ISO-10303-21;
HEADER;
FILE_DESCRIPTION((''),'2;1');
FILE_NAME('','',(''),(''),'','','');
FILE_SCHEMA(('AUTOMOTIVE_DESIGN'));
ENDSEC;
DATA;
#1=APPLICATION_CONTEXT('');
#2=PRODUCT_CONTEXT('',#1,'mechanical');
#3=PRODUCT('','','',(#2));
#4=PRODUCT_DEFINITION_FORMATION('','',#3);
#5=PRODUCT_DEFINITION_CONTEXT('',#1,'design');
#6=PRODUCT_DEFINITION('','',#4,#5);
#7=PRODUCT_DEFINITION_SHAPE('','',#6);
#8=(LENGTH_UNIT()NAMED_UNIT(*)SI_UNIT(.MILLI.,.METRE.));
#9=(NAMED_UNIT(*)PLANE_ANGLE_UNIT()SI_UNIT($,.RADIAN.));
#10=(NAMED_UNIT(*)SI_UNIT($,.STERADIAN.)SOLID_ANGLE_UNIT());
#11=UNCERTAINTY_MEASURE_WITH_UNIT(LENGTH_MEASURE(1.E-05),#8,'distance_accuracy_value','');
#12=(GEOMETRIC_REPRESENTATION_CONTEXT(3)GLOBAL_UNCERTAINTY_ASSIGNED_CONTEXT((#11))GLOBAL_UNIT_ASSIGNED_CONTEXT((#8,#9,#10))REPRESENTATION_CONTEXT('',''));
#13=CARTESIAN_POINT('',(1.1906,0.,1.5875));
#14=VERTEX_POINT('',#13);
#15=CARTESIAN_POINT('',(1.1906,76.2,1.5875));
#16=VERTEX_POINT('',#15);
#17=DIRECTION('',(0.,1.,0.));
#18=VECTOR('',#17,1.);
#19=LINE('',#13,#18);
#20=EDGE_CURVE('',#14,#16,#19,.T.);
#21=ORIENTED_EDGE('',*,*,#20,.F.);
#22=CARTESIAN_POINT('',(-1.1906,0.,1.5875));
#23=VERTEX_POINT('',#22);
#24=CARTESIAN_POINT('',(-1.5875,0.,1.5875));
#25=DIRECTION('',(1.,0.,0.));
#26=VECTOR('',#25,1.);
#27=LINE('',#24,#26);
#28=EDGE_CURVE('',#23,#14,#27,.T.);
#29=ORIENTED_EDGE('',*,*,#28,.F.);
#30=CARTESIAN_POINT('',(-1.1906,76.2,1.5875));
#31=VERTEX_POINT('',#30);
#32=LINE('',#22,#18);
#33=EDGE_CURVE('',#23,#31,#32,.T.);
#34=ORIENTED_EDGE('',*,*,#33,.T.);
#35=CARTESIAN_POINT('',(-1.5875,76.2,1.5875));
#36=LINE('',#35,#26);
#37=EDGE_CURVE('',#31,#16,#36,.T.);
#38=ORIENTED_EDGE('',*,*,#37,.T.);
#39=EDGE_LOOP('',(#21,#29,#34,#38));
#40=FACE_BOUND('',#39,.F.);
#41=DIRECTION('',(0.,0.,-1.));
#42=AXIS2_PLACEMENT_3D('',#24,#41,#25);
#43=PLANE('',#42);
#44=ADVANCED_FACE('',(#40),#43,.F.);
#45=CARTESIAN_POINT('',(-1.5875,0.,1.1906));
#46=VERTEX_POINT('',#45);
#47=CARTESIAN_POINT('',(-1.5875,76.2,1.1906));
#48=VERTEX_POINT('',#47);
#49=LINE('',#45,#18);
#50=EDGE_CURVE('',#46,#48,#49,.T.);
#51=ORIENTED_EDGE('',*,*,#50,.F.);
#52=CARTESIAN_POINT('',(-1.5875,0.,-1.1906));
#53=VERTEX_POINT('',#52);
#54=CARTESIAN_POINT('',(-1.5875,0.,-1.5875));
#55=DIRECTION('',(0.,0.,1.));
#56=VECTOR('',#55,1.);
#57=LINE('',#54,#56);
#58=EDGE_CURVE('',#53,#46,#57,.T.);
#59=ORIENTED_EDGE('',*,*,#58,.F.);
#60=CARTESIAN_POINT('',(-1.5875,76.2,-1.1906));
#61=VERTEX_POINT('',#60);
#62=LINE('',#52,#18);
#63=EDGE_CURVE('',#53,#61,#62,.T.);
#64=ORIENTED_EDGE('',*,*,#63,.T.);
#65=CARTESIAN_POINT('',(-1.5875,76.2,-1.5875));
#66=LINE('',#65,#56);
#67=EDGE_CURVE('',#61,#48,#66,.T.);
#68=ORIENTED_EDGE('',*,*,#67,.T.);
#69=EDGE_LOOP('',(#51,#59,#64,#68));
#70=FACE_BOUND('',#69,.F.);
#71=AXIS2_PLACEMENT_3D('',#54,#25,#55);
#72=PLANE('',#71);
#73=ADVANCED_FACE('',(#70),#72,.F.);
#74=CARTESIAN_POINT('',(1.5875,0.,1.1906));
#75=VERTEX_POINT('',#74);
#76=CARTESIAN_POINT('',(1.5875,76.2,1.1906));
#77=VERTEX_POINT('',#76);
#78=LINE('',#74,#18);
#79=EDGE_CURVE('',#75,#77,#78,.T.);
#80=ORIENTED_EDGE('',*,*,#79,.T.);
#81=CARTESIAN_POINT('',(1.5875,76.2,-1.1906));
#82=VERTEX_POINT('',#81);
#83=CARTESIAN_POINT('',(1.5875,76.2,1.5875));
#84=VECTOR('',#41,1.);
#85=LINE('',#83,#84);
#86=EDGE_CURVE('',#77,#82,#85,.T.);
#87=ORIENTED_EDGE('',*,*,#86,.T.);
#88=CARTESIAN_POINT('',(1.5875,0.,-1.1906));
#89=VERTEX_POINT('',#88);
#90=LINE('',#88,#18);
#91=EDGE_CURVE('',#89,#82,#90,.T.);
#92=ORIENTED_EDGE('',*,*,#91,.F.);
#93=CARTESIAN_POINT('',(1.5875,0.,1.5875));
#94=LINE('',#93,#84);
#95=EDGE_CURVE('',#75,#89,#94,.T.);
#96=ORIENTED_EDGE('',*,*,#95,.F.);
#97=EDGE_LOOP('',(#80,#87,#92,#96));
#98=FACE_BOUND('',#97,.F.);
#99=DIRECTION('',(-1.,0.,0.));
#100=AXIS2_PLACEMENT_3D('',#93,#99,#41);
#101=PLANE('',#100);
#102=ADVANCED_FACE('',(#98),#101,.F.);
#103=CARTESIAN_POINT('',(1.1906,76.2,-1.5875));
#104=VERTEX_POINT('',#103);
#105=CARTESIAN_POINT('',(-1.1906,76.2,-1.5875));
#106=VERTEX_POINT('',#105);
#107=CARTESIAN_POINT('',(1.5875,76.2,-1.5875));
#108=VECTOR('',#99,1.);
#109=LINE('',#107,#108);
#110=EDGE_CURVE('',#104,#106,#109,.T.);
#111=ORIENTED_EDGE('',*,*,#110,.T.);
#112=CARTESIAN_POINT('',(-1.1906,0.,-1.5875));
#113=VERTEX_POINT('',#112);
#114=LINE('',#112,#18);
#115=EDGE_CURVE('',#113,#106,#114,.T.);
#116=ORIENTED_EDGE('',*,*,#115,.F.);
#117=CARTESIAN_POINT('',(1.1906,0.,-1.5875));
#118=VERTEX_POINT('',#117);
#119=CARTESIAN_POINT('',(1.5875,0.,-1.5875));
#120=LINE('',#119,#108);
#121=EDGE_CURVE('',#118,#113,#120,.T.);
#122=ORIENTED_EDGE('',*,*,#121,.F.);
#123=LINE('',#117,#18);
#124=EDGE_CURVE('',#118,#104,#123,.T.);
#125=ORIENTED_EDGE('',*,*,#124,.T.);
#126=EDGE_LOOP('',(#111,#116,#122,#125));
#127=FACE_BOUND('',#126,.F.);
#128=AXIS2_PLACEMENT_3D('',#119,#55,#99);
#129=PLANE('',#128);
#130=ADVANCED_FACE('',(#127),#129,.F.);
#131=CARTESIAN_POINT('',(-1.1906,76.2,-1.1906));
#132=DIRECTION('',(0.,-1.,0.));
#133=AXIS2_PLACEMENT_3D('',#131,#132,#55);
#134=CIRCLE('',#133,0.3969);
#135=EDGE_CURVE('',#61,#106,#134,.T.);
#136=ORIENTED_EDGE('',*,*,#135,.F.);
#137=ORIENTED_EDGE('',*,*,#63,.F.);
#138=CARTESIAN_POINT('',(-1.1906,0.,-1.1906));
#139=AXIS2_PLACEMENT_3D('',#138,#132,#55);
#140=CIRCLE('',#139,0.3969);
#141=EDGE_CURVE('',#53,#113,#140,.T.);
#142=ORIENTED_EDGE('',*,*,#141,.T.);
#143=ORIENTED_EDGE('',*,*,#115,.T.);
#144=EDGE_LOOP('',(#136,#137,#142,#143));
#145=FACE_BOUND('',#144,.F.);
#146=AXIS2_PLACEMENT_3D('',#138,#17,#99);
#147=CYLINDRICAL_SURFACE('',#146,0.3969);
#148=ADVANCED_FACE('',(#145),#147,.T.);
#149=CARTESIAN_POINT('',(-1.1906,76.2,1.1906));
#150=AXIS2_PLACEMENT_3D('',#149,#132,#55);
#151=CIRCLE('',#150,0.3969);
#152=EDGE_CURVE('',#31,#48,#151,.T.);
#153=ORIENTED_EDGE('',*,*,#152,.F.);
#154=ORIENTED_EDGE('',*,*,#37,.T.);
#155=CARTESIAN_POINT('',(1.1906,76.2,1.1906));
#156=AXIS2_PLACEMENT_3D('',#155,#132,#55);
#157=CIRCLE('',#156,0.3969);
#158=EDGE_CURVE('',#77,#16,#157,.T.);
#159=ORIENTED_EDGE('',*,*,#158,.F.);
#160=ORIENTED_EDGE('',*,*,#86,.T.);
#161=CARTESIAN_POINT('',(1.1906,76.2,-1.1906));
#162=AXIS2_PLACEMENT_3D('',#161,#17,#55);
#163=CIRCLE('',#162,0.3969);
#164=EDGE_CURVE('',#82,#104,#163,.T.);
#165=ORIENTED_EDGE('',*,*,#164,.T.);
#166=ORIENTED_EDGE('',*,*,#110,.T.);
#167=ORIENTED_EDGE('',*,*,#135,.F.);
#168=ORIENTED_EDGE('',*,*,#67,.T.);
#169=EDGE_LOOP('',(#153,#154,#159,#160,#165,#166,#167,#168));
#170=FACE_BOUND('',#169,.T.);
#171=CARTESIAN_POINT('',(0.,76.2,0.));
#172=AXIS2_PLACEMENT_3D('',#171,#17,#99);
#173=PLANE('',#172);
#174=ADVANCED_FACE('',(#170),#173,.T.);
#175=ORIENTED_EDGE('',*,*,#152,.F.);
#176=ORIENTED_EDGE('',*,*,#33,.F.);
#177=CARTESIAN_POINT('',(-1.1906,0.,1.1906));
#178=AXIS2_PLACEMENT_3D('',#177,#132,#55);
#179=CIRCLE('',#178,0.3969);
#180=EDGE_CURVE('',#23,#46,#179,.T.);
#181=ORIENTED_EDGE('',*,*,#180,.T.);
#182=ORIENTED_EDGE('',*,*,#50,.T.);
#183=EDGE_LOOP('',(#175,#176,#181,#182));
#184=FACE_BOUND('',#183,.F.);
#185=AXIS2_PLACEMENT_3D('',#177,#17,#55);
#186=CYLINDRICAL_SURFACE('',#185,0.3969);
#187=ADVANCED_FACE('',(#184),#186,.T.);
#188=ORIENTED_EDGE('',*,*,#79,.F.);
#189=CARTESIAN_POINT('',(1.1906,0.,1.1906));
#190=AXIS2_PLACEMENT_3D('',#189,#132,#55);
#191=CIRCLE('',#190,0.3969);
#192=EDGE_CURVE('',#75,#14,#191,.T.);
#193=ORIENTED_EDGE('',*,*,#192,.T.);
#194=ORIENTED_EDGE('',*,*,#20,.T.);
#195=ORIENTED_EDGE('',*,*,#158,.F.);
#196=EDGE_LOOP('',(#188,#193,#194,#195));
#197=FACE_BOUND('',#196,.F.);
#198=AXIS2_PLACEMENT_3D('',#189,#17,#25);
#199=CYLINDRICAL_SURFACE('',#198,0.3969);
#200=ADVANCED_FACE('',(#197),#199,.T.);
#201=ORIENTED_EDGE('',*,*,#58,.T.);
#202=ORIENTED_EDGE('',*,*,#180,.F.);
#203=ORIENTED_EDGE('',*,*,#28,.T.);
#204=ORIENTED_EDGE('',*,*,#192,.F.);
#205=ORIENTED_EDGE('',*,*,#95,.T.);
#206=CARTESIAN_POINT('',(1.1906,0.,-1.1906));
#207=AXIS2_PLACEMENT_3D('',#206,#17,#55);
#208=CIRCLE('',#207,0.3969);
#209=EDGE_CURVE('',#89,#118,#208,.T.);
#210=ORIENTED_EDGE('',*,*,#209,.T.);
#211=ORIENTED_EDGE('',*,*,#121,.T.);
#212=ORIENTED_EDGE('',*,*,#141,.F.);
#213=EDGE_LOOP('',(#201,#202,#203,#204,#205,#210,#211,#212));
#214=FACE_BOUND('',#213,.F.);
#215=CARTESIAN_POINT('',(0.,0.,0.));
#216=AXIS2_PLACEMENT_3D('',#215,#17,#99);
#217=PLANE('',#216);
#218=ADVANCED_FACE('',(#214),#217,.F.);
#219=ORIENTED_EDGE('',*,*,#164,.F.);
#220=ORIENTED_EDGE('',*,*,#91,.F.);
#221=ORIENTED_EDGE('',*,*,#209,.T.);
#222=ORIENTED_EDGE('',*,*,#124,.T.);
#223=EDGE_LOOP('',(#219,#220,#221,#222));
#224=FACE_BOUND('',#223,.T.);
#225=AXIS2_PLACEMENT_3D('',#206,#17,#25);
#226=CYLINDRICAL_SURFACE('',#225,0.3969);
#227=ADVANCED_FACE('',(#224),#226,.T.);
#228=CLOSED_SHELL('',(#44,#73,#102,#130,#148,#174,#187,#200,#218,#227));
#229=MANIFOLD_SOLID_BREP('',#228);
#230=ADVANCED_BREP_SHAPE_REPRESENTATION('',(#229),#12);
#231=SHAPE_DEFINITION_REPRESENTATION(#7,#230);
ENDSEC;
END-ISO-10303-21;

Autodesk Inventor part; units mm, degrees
ref_plane "YZ Plane" through (0, 0, 0) normal (1, 0, 0) x (0, 1, 0)
ref_plane "XZ Plane" through (0, 0, 0) normal (0, 1, 0) x (-1, 0, 0)
ref_plane "XY Plane" through (0, 0, 0) normal (0, 0, 1) x (1, 0, 0)
sketch "Sketch1" plane through (0, 0, 0) normal (0, 1, 0) x (-1, 0, 0)
  line L0 (-1.5875, -1.5875) -> (1.5875, -1.5875)
  line L1 (1.5875, -1.5875) -> (1.5875, 1.5875)
  line L2 (1.5875, 1.5875) -> (-1.5875, 1.5875)
  line L3 (-1.5875, 1.5875) -> (-1.5875, -1.5875)
  line L4 (-1.5875, -1.5875) -> (1.5875, 1.5875) construction
  line L5 (1.5875, -1.5875) -> (-1.5875, 1.5875) construction
  point P0 (0, 0)
  dimension "d0" = 3.175
  dimension "d1" = 3.175
extrude "Extrusion1" add sketch "Sketch1" along normal blind 76.2
fillet "Fillet1" radius 0.3969 4 edges at (1.5875, 38.1, 1.5875) (1.5875, 38.1, -1.5875) (-1.5875, 38.1, -1.5875) (-1.5875, 38.1, 1.5875)
properties part number "LS-Shaft-3.00in" material "Stainless Steel"
